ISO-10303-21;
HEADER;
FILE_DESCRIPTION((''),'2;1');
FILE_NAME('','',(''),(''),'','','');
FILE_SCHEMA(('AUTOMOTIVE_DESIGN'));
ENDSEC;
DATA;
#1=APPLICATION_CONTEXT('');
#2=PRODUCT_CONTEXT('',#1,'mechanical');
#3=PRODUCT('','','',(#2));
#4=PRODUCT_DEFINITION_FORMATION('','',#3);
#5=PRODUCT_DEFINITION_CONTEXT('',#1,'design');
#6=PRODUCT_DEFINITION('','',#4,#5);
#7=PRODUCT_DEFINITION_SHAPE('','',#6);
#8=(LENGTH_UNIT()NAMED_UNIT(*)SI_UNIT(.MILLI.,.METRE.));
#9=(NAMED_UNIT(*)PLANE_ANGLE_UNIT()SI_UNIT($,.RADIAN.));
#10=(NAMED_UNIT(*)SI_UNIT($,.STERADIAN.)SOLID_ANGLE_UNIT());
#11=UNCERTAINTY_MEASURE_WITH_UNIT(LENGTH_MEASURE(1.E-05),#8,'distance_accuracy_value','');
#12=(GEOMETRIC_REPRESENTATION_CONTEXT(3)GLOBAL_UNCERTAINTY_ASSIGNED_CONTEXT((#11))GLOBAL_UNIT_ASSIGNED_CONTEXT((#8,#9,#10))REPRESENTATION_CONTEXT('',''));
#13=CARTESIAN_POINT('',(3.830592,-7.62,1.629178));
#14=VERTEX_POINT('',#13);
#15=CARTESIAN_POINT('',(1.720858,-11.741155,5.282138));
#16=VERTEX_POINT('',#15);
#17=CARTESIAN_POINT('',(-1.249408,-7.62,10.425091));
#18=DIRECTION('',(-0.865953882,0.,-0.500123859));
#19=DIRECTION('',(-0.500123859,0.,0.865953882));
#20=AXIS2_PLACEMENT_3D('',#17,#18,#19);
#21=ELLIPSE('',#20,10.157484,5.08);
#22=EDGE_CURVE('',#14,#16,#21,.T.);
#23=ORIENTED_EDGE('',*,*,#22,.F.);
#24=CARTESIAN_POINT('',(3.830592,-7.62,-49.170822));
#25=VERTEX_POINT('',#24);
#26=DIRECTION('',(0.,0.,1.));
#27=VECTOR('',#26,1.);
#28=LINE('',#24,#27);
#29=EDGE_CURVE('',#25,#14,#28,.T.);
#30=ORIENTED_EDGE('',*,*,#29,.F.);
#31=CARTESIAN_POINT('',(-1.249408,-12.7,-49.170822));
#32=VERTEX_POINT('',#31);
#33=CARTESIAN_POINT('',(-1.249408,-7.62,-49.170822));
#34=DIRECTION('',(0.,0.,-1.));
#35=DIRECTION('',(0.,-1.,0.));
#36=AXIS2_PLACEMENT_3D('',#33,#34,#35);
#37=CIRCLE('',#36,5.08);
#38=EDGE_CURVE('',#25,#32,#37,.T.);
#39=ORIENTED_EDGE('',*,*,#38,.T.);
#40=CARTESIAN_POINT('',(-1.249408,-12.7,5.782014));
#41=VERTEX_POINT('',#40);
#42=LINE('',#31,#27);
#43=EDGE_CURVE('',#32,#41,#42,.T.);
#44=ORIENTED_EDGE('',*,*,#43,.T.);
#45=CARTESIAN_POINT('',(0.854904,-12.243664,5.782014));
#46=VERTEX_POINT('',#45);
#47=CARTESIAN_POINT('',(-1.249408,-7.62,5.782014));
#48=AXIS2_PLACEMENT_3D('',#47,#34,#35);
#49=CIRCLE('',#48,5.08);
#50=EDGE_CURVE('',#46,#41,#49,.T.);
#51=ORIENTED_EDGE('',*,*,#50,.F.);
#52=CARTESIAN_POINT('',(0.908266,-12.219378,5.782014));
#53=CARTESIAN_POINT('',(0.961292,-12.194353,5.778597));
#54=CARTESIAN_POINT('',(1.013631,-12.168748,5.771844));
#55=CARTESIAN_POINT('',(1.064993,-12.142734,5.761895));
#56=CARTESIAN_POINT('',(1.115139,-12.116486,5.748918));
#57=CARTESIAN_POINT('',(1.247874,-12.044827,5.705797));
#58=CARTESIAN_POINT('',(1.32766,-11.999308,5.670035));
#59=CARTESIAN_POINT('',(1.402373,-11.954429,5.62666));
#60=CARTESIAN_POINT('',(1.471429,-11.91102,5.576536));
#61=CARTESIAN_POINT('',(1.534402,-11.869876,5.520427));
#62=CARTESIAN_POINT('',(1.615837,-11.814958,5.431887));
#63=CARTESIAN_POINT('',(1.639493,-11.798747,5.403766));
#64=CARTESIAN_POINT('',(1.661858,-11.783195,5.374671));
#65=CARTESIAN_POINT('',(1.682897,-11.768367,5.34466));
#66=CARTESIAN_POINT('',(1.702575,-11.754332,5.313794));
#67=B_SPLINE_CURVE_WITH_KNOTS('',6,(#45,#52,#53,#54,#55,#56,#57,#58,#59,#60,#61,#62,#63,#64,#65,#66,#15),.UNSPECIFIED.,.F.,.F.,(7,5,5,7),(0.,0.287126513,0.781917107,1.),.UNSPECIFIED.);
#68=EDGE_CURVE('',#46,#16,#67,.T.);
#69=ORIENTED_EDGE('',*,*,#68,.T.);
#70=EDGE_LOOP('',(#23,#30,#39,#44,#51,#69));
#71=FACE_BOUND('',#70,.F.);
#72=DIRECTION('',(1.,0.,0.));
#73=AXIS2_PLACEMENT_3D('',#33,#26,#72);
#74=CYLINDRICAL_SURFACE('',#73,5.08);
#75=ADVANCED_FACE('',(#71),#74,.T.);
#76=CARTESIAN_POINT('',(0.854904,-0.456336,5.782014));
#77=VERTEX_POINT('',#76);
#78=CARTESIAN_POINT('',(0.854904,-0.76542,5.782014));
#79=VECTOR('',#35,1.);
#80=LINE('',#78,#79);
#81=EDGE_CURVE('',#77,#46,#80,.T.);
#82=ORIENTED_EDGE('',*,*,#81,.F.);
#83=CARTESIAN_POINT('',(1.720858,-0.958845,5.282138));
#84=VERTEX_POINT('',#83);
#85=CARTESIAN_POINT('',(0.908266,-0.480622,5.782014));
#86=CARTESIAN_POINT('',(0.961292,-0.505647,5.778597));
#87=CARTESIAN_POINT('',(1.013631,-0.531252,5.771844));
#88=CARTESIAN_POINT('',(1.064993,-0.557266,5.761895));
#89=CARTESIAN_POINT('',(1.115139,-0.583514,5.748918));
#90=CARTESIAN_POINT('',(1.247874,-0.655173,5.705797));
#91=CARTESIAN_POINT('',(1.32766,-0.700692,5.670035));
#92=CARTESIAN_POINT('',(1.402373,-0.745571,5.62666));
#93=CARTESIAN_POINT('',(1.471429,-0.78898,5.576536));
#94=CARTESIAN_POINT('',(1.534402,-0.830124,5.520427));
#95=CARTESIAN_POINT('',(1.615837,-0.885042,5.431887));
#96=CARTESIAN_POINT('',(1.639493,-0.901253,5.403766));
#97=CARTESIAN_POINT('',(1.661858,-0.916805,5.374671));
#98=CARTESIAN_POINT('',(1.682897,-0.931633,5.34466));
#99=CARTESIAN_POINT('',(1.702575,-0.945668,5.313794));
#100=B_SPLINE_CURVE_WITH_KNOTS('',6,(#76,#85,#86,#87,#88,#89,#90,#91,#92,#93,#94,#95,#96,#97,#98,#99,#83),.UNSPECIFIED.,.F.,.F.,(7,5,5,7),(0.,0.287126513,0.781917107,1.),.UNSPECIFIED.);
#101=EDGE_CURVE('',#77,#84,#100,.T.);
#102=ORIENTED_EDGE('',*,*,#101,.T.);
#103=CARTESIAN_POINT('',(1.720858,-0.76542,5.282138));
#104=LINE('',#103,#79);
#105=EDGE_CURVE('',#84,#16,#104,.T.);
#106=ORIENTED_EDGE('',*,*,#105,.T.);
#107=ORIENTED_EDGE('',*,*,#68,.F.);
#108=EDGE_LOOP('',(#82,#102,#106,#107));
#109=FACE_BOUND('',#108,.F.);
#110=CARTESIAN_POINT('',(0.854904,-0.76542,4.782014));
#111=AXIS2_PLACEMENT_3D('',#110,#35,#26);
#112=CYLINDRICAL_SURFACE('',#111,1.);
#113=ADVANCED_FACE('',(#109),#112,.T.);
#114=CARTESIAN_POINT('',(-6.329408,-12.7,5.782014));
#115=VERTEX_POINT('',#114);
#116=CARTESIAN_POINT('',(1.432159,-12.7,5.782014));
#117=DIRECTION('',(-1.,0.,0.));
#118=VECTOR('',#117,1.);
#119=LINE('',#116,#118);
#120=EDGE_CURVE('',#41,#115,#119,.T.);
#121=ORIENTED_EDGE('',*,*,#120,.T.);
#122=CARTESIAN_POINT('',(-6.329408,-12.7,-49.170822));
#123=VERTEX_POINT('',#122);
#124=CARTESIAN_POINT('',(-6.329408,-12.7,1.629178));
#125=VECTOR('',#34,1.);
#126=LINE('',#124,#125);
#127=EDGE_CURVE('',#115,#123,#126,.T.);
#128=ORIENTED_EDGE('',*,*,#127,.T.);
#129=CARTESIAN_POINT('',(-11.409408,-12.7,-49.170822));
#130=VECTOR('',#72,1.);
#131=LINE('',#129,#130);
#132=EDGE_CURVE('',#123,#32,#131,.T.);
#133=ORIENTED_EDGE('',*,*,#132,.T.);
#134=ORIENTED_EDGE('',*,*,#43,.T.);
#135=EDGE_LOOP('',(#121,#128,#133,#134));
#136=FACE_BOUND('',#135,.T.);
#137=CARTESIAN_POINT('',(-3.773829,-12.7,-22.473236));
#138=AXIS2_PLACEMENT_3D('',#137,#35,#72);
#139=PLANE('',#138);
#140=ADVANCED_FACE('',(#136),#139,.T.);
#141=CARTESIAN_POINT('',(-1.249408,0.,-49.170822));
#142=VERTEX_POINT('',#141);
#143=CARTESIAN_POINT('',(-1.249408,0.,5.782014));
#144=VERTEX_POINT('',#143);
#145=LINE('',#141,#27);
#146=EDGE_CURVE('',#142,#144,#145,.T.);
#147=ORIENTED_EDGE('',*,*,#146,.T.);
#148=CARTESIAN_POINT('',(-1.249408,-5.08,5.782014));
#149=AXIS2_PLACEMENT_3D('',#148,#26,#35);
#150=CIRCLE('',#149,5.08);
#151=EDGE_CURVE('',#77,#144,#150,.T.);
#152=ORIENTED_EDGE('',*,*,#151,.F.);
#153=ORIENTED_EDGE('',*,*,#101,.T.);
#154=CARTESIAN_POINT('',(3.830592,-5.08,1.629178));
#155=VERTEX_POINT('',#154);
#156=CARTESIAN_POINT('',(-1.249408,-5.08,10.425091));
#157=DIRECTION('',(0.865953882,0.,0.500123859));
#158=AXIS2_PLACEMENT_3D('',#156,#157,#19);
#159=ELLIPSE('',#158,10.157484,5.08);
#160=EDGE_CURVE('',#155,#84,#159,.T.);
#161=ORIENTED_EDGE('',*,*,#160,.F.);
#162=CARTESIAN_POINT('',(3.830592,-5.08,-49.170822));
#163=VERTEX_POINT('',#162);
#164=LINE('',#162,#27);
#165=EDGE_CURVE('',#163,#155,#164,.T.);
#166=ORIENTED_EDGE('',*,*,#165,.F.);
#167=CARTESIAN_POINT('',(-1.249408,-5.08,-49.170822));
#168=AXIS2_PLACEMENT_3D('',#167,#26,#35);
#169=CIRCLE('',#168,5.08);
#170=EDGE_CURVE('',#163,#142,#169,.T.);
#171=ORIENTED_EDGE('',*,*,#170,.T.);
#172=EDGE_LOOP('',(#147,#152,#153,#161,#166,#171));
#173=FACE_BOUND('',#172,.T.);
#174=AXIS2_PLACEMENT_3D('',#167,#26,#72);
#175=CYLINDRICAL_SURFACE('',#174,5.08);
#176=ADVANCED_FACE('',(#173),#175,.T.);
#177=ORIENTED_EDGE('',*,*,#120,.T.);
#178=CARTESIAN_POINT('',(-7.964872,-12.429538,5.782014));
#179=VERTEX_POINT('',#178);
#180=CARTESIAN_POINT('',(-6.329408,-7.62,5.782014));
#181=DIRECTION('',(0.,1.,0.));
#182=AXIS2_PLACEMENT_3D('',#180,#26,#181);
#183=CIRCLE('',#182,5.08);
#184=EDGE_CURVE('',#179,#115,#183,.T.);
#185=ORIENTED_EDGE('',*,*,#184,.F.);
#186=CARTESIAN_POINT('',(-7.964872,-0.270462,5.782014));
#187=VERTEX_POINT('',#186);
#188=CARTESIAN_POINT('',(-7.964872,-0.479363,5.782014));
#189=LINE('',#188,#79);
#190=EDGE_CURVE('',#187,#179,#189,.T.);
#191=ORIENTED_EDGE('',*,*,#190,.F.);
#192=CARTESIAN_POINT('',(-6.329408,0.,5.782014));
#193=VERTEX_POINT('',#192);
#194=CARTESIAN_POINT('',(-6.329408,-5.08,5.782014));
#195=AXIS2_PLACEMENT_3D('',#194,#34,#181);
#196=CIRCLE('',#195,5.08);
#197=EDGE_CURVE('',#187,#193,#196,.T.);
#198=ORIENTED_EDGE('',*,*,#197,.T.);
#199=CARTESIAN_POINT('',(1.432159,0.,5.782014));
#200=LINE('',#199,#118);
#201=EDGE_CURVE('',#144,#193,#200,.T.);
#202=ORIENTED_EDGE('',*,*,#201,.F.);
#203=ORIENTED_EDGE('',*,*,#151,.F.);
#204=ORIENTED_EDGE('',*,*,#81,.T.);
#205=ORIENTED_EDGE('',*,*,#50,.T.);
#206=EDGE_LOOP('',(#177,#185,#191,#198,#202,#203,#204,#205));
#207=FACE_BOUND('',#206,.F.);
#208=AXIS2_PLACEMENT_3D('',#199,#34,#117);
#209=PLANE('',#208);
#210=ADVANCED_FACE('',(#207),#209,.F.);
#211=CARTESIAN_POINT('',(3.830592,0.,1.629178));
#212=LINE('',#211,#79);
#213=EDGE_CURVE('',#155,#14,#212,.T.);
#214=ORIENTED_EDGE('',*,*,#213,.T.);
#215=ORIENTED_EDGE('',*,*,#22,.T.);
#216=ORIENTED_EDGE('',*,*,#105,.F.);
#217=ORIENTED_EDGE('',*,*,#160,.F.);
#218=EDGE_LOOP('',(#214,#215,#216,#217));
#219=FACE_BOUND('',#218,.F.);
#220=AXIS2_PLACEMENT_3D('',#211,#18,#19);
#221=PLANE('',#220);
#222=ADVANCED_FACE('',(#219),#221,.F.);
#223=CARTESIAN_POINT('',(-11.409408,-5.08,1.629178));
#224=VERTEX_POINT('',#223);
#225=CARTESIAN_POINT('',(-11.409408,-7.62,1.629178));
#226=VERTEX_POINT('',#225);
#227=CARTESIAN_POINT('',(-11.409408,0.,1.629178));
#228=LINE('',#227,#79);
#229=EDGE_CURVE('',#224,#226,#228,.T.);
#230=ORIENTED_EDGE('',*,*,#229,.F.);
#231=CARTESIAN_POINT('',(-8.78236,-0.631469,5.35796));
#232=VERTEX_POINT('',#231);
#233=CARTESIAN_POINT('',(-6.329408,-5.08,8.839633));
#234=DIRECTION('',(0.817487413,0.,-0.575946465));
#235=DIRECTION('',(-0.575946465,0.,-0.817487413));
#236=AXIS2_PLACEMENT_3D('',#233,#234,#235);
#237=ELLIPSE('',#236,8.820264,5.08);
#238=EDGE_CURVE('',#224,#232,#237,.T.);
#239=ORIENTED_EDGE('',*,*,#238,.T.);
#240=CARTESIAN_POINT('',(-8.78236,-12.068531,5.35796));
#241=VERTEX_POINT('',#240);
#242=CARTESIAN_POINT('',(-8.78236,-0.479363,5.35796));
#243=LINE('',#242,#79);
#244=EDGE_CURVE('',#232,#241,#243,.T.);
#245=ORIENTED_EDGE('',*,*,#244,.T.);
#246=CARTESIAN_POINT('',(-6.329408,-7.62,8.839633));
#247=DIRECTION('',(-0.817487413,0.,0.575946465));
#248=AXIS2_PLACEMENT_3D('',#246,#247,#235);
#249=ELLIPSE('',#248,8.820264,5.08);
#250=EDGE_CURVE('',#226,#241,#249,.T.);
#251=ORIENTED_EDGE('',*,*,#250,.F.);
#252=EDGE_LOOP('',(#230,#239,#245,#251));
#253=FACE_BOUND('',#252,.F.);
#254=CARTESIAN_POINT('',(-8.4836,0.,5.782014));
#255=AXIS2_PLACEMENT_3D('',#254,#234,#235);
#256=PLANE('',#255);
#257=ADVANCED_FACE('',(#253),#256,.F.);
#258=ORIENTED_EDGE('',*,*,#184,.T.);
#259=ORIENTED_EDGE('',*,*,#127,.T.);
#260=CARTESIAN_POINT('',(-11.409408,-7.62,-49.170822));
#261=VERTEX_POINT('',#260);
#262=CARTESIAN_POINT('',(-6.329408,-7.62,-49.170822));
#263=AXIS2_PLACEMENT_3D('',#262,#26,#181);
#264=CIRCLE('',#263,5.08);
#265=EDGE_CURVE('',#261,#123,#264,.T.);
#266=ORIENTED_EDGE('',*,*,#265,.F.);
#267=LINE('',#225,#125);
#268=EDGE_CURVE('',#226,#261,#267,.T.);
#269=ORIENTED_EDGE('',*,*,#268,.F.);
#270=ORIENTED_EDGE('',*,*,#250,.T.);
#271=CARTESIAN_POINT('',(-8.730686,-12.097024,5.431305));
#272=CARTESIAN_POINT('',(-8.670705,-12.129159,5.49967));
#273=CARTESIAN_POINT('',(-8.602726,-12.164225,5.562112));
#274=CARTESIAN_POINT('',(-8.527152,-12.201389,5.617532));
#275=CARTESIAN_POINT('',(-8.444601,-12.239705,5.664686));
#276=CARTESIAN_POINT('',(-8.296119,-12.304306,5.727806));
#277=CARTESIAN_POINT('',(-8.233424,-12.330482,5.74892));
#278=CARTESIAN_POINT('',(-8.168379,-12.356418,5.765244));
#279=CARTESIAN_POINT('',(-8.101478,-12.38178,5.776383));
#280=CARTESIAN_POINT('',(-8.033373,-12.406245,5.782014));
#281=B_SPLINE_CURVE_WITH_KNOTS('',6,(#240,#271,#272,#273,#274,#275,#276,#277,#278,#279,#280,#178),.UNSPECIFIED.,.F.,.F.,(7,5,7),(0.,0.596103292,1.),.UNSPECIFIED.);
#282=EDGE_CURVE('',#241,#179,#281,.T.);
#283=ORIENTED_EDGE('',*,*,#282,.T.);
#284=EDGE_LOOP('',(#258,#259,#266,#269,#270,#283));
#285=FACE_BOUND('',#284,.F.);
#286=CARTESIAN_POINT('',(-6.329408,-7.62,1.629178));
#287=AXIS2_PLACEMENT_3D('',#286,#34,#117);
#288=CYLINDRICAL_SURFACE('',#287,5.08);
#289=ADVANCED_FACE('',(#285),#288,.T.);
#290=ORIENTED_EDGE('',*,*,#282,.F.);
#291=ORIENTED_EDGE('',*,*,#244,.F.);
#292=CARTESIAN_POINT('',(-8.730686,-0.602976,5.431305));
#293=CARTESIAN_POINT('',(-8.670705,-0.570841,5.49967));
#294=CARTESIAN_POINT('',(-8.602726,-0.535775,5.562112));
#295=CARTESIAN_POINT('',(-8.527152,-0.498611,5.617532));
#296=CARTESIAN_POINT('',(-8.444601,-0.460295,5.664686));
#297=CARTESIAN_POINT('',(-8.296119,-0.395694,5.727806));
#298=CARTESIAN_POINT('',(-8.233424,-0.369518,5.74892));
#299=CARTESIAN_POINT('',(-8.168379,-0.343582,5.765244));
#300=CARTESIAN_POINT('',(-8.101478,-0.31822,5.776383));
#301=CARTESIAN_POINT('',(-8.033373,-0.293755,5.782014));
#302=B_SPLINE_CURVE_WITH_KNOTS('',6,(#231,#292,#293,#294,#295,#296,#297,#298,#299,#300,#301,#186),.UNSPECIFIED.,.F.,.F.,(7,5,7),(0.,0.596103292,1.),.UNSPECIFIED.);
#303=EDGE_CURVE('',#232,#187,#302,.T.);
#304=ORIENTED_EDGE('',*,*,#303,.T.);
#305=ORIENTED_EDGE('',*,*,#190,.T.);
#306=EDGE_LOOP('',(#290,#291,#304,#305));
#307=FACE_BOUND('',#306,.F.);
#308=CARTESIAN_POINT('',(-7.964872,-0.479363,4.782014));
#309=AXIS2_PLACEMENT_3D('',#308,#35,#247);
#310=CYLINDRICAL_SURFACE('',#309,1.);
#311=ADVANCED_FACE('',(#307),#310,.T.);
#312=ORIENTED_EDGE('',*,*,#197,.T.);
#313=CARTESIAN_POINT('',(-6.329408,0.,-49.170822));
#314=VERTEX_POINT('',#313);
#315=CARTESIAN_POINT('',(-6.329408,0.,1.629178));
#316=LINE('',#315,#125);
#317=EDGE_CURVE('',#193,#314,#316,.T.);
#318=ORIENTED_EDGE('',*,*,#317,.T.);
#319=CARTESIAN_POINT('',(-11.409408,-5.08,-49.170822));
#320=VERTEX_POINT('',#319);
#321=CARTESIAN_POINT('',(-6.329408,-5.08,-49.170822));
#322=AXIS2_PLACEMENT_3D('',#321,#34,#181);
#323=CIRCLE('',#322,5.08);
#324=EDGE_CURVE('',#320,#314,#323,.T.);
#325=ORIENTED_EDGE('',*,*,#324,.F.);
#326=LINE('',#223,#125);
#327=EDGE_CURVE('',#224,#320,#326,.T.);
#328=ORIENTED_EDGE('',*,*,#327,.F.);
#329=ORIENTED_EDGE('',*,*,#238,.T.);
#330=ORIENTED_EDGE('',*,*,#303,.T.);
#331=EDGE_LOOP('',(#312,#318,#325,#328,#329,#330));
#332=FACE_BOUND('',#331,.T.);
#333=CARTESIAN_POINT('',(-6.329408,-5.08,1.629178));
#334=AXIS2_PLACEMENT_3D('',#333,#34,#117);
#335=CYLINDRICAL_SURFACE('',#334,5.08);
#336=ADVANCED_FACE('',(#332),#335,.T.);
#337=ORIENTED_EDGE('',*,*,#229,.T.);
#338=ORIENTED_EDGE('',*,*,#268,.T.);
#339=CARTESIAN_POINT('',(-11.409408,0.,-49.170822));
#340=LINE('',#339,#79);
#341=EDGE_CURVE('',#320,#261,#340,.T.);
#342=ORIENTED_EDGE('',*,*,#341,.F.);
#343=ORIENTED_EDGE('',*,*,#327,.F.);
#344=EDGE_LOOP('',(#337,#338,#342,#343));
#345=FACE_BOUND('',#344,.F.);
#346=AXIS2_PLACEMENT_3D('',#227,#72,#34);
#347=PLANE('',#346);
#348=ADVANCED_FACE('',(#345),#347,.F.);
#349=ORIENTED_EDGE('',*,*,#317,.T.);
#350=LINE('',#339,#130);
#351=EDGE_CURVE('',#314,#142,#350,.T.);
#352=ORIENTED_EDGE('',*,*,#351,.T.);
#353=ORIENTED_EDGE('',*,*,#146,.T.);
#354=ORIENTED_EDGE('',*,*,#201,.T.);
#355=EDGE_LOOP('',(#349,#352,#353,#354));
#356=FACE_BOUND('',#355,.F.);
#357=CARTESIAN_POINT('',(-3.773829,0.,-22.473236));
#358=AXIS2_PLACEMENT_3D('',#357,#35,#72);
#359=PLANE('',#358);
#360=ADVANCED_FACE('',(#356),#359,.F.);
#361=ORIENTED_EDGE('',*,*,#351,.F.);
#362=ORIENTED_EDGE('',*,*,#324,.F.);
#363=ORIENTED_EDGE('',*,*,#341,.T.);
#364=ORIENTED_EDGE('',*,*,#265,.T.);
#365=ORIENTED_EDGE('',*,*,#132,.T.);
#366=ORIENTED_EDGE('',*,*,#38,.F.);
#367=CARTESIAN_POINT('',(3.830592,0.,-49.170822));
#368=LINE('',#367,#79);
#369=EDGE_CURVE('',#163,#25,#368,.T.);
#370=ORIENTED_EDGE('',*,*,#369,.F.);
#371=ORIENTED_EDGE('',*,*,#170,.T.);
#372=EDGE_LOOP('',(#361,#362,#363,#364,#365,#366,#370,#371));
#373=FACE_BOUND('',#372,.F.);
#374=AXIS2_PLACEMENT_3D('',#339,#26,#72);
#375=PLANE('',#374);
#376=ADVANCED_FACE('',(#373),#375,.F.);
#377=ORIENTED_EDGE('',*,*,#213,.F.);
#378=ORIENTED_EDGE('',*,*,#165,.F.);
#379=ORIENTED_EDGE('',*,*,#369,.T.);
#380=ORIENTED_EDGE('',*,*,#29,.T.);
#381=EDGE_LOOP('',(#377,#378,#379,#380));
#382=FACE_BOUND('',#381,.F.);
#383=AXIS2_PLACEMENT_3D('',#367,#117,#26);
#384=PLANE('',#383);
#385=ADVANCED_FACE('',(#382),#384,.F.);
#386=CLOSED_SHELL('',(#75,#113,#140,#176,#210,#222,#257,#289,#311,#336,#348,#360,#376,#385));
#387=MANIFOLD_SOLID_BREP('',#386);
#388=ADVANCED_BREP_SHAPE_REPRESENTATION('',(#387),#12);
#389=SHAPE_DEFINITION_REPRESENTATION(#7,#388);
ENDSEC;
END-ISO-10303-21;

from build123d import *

# Parameters (mm, degrees)
F1_DEPTH = 12.7
F2_R     = 5.08
F3_R     = 1


with BuildPart() as f1:
    # F0 (on Front) → F1 (new body)
    with BuildSketch(Plane.XZ):
        Polygon((-11.409408, 1.629178), (-11.409408, -49.170822), (3.830592, -49.170822), (3.830592, 1.629178), (1.432159, 5.782014), (0, 5.782014), (-8.4836, 5.782014), align=None)
    extrude(amount=F1_DEPTH)

    # F2
    f2_edges = [f1.edges().sort_by_distance(p)[0] for p in [
        (-11.409408, 0, -23.770822),
        (-11.409408, -12.7, -23.770822),
        (3.830592, -12.7, -23.770822),
        (3.830592, 0, -23.770822),
    ]]
    fillet(f2_edges, radius=F2_R)

    # F3
    f3_edges = [f1.edges().sort_by_distance(p)[0] for p in [
        (1.432159, -6.35, 5.782014),
        (-8.4836, -6.35, 5.782014),
    ]]
    fillet(f3_edges, radius=F3_R)


solid = f1.part
